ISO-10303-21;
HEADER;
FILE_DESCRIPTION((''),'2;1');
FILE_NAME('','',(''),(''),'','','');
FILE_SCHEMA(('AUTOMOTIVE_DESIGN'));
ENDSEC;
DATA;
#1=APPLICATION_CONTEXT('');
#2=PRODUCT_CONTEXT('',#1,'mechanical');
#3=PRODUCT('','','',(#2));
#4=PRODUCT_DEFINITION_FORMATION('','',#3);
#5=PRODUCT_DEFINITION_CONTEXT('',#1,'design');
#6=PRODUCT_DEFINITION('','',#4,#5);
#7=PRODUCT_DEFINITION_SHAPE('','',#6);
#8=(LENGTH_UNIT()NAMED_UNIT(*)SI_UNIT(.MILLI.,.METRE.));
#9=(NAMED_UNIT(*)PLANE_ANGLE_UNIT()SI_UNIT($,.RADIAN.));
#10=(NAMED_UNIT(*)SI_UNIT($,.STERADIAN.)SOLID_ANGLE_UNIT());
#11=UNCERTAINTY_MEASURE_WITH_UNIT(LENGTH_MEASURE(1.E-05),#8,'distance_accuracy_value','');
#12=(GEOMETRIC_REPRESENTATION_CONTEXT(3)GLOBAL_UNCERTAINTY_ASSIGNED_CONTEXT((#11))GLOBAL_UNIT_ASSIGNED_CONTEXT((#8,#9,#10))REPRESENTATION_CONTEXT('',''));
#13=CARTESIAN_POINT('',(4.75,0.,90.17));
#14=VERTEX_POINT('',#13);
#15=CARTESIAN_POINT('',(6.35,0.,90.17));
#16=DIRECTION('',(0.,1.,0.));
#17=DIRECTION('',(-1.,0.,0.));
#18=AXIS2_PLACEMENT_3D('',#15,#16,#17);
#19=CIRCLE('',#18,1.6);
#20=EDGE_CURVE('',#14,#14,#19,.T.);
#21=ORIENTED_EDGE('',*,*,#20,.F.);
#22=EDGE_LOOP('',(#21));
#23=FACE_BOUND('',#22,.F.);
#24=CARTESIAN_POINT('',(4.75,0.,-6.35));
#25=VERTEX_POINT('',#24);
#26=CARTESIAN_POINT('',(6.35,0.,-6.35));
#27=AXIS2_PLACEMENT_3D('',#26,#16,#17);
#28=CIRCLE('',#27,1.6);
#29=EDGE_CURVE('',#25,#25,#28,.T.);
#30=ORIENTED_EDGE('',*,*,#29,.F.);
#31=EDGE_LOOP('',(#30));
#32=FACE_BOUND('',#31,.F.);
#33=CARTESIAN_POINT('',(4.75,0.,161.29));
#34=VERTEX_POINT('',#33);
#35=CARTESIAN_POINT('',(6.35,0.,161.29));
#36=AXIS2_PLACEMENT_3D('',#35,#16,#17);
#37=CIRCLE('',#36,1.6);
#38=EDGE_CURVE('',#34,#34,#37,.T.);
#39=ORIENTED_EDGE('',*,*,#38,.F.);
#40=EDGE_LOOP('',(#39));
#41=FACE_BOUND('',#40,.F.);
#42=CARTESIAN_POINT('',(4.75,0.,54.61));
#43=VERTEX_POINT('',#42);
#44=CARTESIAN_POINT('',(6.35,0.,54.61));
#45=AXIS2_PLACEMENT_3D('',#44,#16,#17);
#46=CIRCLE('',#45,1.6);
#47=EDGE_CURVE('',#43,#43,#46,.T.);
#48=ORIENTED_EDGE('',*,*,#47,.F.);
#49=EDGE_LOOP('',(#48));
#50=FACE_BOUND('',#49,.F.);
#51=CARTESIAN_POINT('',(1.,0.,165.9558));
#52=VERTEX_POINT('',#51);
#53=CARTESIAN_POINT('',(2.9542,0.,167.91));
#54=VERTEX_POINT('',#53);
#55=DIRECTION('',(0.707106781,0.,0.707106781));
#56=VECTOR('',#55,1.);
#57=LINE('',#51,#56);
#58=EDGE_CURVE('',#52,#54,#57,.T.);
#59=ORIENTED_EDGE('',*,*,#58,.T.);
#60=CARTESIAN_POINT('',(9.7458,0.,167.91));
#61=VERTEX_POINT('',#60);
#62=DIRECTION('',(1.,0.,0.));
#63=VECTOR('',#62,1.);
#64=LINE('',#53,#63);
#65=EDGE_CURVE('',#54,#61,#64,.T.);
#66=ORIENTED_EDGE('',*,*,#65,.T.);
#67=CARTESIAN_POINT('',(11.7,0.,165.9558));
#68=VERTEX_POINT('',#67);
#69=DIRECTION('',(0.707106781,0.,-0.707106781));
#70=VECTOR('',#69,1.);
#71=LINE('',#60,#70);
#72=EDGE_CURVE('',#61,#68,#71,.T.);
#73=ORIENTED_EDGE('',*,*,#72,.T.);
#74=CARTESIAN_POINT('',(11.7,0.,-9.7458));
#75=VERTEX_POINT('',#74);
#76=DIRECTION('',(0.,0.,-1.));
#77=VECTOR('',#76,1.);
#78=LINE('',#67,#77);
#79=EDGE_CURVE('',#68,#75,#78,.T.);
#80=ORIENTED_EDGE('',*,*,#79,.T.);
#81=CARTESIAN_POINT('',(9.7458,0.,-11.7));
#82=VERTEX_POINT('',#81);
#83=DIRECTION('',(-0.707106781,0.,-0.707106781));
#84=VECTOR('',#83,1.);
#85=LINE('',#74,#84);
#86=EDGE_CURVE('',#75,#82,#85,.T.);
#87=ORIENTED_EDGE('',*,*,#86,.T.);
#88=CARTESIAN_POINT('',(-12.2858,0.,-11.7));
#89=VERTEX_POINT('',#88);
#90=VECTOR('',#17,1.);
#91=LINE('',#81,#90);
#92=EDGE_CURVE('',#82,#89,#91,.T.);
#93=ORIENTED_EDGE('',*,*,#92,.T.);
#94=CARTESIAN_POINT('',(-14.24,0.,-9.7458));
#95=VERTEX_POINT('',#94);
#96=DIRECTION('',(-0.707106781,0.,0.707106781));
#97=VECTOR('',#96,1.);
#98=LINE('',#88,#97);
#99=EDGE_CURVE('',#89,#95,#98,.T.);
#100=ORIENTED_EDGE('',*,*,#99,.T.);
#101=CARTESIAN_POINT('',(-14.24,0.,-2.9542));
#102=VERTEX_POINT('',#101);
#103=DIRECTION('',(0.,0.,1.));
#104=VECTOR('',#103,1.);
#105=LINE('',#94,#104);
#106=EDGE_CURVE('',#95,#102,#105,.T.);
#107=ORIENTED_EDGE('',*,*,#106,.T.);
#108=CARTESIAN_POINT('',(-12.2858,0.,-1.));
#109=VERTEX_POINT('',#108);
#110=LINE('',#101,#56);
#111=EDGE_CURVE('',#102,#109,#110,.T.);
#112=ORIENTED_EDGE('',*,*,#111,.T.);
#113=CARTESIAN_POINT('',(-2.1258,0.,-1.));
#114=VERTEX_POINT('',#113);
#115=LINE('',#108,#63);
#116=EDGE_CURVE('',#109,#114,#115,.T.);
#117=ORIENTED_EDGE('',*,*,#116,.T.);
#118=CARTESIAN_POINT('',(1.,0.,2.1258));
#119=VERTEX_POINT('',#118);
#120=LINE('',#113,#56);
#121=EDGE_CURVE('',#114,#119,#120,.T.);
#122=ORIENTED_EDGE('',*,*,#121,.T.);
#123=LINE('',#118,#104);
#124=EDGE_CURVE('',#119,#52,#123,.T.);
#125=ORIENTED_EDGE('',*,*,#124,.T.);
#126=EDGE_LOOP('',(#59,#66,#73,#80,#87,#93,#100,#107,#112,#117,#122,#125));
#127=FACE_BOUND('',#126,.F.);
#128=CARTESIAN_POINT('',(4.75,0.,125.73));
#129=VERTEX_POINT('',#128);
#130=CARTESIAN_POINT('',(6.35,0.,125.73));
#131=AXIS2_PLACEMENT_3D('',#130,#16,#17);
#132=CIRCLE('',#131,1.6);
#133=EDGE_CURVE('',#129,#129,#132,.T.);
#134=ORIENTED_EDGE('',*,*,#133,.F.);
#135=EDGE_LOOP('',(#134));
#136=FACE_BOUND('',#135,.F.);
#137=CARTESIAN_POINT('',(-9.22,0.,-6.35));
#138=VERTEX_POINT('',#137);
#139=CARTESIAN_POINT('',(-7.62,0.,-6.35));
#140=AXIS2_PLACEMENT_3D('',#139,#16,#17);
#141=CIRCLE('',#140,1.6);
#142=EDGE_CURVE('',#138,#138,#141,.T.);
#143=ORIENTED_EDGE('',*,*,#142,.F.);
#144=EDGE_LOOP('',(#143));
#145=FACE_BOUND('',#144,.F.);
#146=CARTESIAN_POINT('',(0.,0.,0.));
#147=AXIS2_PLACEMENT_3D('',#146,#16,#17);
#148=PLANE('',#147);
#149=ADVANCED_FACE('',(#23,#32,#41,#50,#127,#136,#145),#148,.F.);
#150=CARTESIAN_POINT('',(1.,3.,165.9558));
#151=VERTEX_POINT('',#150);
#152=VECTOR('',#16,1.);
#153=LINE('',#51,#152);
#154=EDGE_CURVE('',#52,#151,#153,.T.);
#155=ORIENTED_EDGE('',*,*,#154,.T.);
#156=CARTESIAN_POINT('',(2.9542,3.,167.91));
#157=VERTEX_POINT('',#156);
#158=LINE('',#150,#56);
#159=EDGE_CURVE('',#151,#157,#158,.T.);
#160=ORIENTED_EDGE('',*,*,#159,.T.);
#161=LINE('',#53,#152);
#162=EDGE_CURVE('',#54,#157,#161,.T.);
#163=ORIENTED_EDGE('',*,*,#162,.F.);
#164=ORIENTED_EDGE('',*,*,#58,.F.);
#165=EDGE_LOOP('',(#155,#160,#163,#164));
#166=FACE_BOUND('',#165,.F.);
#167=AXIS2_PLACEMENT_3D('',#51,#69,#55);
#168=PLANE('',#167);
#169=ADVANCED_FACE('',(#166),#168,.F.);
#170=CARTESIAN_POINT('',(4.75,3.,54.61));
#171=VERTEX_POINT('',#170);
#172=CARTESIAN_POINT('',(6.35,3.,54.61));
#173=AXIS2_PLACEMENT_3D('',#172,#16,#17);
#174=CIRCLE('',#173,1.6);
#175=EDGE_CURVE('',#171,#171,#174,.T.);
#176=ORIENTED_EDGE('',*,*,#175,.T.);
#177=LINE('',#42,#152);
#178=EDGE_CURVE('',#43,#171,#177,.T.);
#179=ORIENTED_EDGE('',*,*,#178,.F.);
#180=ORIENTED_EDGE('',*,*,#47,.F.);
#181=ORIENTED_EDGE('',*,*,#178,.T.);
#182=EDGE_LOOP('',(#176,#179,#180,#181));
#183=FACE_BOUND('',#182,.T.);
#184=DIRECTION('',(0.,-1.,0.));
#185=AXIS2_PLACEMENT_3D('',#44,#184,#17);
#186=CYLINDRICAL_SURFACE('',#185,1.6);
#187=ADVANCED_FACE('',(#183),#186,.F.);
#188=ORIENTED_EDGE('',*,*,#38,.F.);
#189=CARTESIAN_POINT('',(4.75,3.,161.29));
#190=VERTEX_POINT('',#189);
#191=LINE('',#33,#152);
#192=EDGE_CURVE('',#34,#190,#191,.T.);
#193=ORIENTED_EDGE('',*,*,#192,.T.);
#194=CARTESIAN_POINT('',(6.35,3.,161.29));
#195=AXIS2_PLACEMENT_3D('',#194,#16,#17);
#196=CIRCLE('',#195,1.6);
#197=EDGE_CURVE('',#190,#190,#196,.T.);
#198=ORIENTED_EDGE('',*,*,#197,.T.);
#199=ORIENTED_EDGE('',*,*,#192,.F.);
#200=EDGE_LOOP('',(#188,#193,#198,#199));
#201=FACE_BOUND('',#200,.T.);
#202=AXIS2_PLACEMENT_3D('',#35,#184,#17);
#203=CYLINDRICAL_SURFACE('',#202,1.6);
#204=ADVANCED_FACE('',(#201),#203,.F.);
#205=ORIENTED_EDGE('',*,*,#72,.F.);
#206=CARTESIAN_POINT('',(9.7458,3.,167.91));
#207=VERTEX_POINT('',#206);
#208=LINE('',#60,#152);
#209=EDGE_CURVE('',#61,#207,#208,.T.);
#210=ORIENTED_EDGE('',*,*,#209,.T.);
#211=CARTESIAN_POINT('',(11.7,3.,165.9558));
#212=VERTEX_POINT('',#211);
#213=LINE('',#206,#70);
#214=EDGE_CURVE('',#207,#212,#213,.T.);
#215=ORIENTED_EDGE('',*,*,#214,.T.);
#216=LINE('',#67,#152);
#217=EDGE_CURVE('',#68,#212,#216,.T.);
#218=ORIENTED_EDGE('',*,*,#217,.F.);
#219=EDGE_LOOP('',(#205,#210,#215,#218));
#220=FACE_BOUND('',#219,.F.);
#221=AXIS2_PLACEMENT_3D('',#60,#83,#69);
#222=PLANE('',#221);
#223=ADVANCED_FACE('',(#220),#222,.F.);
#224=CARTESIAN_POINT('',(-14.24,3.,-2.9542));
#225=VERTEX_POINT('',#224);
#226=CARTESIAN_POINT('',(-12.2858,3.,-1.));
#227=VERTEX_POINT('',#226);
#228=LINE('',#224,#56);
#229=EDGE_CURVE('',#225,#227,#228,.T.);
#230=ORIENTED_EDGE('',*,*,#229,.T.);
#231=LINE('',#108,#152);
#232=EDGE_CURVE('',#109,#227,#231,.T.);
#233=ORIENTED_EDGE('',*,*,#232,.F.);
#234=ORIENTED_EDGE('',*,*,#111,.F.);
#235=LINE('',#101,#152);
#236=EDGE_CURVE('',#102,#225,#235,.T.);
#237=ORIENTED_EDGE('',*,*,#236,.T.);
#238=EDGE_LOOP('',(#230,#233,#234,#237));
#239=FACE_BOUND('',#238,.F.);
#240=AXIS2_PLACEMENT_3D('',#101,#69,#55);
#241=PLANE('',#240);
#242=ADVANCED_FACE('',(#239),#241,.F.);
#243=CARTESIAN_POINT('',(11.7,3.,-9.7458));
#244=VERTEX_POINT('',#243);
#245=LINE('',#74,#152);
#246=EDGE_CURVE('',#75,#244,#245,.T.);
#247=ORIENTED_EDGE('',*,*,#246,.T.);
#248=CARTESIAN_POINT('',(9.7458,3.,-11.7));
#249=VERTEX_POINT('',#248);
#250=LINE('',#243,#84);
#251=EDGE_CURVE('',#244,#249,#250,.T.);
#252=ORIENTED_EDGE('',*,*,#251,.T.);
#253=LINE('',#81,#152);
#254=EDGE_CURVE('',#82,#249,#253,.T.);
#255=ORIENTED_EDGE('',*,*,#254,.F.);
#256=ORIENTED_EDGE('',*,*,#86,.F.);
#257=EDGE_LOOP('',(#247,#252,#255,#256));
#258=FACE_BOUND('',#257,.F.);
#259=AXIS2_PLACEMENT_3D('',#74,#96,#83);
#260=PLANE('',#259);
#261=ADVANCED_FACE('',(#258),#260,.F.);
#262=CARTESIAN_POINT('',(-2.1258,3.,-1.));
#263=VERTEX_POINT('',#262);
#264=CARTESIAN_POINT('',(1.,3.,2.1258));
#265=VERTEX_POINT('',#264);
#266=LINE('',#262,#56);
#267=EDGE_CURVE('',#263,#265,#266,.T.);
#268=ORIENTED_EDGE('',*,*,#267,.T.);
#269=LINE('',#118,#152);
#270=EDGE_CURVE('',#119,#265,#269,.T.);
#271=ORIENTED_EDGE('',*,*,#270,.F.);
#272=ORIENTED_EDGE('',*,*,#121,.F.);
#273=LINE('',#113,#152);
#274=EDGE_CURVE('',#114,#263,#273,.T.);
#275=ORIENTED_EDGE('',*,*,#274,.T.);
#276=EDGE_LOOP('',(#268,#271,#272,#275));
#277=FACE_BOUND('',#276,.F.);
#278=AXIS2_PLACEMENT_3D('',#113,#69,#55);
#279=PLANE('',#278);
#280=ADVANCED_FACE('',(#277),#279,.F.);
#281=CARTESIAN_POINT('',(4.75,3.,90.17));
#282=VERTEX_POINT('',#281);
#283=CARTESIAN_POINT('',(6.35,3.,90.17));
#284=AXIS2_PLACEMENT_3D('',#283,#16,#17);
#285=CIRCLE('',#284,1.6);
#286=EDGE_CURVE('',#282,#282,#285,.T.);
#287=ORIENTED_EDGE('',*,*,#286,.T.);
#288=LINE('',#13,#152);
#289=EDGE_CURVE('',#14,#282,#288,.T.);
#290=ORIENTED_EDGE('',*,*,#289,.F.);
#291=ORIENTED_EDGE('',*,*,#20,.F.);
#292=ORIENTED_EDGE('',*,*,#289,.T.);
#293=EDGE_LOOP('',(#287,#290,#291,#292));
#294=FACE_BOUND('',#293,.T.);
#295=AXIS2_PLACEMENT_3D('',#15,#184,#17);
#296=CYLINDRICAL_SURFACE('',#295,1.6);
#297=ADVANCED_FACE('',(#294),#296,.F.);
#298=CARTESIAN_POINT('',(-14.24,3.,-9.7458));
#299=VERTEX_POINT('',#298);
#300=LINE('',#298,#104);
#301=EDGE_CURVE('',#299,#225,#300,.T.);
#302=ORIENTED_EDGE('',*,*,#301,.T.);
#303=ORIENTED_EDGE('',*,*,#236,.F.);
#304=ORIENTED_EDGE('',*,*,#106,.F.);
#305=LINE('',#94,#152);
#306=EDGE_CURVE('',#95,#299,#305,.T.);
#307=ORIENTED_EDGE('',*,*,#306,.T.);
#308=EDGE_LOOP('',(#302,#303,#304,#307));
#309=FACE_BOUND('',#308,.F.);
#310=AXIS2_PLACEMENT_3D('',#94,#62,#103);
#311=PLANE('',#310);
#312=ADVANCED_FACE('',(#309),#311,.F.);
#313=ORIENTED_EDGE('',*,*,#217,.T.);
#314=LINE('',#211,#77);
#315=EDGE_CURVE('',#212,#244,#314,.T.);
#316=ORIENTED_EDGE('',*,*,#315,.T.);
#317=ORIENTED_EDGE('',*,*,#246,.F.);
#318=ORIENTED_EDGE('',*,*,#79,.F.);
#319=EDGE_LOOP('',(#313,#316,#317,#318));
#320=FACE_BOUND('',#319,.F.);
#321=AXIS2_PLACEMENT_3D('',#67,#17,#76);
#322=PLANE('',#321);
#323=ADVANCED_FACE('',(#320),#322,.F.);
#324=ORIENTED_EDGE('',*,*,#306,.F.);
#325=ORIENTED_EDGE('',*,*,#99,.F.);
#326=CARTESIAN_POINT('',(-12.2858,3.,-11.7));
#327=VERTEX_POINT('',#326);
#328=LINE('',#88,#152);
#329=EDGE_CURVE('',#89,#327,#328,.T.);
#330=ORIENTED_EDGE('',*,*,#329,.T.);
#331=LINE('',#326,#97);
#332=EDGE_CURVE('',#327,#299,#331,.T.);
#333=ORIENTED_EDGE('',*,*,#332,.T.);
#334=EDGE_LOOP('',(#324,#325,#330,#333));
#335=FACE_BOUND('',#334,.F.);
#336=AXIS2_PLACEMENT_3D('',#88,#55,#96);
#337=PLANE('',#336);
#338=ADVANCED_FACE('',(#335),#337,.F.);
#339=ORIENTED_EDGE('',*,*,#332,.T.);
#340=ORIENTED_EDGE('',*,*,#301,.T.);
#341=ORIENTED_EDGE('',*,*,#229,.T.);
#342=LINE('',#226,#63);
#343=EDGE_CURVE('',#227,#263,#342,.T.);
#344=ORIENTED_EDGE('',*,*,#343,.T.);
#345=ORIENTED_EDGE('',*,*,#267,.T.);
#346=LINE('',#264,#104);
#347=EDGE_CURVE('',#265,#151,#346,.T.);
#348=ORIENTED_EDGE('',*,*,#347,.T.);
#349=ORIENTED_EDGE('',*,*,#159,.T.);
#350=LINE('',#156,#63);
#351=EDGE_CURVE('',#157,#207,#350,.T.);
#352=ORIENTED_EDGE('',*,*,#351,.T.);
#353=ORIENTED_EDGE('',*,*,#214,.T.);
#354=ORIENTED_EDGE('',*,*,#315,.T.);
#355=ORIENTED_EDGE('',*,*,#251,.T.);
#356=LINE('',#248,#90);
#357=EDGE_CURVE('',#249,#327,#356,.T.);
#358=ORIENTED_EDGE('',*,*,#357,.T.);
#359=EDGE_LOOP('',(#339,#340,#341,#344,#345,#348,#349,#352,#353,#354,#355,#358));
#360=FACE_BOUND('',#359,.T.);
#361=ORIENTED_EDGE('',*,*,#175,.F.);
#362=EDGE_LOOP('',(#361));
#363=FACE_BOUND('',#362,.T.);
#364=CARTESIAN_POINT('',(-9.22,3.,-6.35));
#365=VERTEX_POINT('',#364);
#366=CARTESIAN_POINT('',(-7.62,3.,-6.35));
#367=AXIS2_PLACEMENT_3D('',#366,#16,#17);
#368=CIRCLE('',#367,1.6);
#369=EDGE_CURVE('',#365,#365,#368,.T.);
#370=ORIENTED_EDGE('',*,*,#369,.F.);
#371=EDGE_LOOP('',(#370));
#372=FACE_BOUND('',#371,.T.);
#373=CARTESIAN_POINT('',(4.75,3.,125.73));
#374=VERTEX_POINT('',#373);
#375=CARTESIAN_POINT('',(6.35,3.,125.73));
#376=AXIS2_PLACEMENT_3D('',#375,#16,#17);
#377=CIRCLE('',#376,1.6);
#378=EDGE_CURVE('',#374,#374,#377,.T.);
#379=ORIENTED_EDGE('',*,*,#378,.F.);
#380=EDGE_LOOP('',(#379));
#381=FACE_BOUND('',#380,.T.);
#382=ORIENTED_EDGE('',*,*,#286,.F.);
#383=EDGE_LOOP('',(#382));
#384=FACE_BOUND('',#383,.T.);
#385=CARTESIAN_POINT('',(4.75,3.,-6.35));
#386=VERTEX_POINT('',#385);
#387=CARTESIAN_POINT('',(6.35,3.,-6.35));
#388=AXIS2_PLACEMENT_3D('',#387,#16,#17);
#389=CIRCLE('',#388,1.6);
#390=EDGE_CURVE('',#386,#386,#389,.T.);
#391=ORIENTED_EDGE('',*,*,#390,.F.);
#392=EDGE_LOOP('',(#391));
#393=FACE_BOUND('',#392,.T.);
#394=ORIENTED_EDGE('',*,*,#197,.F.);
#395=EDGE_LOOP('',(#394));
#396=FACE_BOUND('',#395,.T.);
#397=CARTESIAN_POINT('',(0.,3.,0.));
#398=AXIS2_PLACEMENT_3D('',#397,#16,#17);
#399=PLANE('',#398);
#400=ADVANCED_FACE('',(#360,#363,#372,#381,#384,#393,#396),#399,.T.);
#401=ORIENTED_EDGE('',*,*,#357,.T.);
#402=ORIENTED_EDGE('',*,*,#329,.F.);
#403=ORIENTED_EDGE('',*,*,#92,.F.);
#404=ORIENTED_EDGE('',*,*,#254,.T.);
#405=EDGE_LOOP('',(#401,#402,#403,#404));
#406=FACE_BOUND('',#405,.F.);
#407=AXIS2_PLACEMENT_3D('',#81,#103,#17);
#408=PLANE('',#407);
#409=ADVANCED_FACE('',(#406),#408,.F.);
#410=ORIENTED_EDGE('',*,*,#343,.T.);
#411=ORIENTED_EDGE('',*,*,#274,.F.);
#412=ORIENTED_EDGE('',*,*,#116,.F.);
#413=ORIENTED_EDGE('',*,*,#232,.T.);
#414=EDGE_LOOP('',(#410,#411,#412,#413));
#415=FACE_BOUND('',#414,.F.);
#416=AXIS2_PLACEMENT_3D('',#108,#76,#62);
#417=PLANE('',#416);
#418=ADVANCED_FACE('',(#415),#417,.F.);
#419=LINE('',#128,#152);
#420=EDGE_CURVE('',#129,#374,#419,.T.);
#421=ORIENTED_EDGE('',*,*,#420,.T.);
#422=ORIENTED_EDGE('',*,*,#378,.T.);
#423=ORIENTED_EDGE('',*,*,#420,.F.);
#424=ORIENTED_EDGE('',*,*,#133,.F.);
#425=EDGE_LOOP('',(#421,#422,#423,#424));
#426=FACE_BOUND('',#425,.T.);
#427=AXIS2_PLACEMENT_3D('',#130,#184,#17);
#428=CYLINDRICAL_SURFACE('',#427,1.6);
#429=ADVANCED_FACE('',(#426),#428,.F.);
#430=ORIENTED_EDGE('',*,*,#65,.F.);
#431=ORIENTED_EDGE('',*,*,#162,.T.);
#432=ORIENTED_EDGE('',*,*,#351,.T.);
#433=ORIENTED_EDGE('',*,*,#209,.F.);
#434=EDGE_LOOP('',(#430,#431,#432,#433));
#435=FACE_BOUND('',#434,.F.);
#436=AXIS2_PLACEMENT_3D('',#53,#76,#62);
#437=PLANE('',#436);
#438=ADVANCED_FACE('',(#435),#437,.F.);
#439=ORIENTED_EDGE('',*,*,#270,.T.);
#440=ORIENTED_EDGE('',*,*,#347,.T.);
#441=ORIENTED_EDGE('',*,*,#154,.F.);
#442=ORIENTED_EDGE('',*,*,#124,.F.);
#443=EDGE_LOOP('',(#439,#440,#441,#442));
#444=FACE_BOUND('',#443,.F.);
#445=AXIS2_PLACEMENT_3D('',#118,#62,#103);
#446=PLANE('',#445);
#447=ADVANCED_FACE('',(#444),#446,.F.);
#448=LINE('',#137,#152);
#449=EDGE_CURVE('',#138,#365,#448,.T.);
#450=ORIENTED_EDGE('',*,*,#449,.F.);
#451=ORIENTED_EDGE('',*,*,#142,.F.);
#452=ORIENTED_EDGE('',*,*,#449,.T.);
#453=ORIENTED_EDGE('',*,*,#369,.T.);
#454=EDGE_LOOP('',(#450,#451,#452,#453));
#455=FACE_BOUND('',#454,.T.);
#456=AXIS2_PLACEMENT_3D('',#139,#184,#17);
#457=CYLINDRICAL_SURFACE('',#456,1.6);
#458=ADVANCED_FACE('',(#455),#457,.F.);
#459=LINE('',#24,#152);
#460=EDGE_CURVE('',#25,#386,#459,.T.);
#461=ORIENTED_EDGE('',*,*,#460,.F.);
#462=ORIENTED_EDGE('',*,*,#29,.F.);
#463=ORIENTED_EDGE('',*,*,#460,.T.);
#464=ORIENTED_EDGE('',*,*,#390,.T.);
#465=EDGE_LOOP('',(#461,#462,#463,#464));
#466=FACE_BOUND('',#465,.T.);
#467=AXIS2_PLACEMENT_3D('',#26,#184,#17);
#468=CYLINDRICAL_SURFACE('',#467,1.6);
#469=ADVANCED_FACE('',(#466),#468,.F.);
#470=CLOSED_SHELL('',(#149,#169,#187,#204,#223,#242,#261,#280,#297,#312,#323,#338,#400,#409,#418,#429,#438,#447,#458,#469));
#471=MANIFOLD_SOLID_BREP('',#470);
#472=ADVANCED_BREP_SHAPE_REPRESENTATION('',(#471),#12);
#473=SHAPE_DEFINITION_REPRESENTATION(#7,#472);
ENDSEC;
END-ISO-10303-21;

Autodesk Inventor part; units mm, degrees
ref_plane "YZ Plane" through (0, 0, 0) normal (1, 0, 0) x (0, 1, 0)
ref_plane "XZ Plane" through (0, 0, 0) normal (0, 1, 0) x (-1, 0, 0)
ref_plane "XY Plane" through (0, 0, 0) normal (0, 0, 1) x (1, 0, 0)
sketch "Szkic1" plane through (0, 0, 0) normal (0, 1, 0) x (-1, 0, 0)
  line L0 (-12.7, 166.37) -> (-12.7, -10.16)
  line L1 (-10.16, -12.7) -> (12.7, -12.7)
  line L2 (15.24, -10.16) -> (15.24, -2.54)
  line L3 (12.7, 0) -> (2.54, 0)
  line L4 (0, 2.54) -> (0, 166.37)
  line L5 (-2.54, 168.91) -> (-10.16, 168.91)
  line L6 (-6.35, 168.91) -> (-6.35, -12.7) construction
  circle A0 centre (-6.35, 161.29) radius 1.6
  circle A1 centre (-6.35, 125.73) radius 1.6
  circle A2 centre (-6.35, 90.17) radius 1.6
  circle A3 centre (-6.35, 54.61) radius 1.6
  line L7 (15.24, -6.35) -> (-12.7, -6.35) construction
  circle A4 centre (7.62, -6.35) radius 1.6
  circle A5 centre (-6.35, -6.35) radius 1.6
  line L8 (-2.54, 168.91) -> (0, 166.37)
  line L9 (-10.16, 168.91) -> (-12.7, 166.37)
  line L10 (-12.7, -10.16) -> (-10.16, -12.7)
  line L11 (0, 2.54) -> (2.54, 0)
  line L12 (12.7, 0) -> (15.24, -2.54)
  line L13 (12.7, -12.7) -> (15.24, -10.16)
  line L14 (-1, 165.9558) -> (-2.9542, 167.91)
  line L15 (-2.9542, 167.91) -> (-9.7458, 167.91)
  line L16 (-9.7458, 167.91) -> (-11.7, 165.9558)
  line L17 (-11.7, 165.9558) -> (-11.7, -9.7458)
  line L18 (-11.7, -9.7458) -> (-9.7458, -11.7)
  line L19 (-9.7458, -11.7) -> (12.2858, -11.7)
  line L20 (12.2858, -11.7) -> (14.24, -9.7458)
  line L21 (14.24, -9.7458) -> (14.24, -2.9542)
  line L22 (14.24, -2.9542) -> (12.2858, -1)
  line L23 (12.2858, -1) -> (2.1258, -1)
  line L24 (2.1258, -1) -> (-1, 2.1258)
  line L25 (-1, 2.1258) -> (-1, 165.9558)
  point P0 (0, 0)
  point P1 (-12.7, 168.91)
  point P2 (-12.7, -12.7)
  point P3 (15.24, -12.7)
  point P4 (15.24, 0)
  point P5 (0, 0)
  point P6 (0, 168.91)
  dimension "d0" = 12.7
  dimension "d1" = 181.61
  dimension "d2" = 27.94
  dimension "d3" = 3.2
  dimension "d4" = 7.62
  dimension "d7" = 35.56
  dimension "d12" = 3.2
  dimension "d13" = 3.2
  dimension "d14" = 7.62
  dimension "d15" = 2.54
  dimension "d16" = 2.54
  dimension "d17" = 2.54
  dimension "d18" = 2.54
  dimension "d19" = 2.54
  dimension "d20" = 2.54
  dimension "d21" = 2.54
  dimension "d22" = 2.54
  dimension "d23" = 2.54
  dimension "d24" = 2.54
  dimension "d25" = 2.54
  dimension "d26" = 2.54
  dimension "d27" = 1
extrude "Wyciągnięcie proste2" add sketch "Szkic1" along normal blind 3 contours L25 L24 L23 L22 L21 L20 L19 L18 L17 L16 L15 L14
equation "\"d16\" = d15"
equation "\"d17\" = d15"
equation "\"d18\" = d17"
equation "\"d19\" = d15"
equation "\"d20\" = d19"
equation "\"d21\" = d15"
equation "\"d22\" = d21"
equation "\"d23\" = d15"
equation "\"d24\" = d23"
equation "\"d25\" = d15"
equation "\"d26\" = d25"
properties part number "bar_+BattPow"
